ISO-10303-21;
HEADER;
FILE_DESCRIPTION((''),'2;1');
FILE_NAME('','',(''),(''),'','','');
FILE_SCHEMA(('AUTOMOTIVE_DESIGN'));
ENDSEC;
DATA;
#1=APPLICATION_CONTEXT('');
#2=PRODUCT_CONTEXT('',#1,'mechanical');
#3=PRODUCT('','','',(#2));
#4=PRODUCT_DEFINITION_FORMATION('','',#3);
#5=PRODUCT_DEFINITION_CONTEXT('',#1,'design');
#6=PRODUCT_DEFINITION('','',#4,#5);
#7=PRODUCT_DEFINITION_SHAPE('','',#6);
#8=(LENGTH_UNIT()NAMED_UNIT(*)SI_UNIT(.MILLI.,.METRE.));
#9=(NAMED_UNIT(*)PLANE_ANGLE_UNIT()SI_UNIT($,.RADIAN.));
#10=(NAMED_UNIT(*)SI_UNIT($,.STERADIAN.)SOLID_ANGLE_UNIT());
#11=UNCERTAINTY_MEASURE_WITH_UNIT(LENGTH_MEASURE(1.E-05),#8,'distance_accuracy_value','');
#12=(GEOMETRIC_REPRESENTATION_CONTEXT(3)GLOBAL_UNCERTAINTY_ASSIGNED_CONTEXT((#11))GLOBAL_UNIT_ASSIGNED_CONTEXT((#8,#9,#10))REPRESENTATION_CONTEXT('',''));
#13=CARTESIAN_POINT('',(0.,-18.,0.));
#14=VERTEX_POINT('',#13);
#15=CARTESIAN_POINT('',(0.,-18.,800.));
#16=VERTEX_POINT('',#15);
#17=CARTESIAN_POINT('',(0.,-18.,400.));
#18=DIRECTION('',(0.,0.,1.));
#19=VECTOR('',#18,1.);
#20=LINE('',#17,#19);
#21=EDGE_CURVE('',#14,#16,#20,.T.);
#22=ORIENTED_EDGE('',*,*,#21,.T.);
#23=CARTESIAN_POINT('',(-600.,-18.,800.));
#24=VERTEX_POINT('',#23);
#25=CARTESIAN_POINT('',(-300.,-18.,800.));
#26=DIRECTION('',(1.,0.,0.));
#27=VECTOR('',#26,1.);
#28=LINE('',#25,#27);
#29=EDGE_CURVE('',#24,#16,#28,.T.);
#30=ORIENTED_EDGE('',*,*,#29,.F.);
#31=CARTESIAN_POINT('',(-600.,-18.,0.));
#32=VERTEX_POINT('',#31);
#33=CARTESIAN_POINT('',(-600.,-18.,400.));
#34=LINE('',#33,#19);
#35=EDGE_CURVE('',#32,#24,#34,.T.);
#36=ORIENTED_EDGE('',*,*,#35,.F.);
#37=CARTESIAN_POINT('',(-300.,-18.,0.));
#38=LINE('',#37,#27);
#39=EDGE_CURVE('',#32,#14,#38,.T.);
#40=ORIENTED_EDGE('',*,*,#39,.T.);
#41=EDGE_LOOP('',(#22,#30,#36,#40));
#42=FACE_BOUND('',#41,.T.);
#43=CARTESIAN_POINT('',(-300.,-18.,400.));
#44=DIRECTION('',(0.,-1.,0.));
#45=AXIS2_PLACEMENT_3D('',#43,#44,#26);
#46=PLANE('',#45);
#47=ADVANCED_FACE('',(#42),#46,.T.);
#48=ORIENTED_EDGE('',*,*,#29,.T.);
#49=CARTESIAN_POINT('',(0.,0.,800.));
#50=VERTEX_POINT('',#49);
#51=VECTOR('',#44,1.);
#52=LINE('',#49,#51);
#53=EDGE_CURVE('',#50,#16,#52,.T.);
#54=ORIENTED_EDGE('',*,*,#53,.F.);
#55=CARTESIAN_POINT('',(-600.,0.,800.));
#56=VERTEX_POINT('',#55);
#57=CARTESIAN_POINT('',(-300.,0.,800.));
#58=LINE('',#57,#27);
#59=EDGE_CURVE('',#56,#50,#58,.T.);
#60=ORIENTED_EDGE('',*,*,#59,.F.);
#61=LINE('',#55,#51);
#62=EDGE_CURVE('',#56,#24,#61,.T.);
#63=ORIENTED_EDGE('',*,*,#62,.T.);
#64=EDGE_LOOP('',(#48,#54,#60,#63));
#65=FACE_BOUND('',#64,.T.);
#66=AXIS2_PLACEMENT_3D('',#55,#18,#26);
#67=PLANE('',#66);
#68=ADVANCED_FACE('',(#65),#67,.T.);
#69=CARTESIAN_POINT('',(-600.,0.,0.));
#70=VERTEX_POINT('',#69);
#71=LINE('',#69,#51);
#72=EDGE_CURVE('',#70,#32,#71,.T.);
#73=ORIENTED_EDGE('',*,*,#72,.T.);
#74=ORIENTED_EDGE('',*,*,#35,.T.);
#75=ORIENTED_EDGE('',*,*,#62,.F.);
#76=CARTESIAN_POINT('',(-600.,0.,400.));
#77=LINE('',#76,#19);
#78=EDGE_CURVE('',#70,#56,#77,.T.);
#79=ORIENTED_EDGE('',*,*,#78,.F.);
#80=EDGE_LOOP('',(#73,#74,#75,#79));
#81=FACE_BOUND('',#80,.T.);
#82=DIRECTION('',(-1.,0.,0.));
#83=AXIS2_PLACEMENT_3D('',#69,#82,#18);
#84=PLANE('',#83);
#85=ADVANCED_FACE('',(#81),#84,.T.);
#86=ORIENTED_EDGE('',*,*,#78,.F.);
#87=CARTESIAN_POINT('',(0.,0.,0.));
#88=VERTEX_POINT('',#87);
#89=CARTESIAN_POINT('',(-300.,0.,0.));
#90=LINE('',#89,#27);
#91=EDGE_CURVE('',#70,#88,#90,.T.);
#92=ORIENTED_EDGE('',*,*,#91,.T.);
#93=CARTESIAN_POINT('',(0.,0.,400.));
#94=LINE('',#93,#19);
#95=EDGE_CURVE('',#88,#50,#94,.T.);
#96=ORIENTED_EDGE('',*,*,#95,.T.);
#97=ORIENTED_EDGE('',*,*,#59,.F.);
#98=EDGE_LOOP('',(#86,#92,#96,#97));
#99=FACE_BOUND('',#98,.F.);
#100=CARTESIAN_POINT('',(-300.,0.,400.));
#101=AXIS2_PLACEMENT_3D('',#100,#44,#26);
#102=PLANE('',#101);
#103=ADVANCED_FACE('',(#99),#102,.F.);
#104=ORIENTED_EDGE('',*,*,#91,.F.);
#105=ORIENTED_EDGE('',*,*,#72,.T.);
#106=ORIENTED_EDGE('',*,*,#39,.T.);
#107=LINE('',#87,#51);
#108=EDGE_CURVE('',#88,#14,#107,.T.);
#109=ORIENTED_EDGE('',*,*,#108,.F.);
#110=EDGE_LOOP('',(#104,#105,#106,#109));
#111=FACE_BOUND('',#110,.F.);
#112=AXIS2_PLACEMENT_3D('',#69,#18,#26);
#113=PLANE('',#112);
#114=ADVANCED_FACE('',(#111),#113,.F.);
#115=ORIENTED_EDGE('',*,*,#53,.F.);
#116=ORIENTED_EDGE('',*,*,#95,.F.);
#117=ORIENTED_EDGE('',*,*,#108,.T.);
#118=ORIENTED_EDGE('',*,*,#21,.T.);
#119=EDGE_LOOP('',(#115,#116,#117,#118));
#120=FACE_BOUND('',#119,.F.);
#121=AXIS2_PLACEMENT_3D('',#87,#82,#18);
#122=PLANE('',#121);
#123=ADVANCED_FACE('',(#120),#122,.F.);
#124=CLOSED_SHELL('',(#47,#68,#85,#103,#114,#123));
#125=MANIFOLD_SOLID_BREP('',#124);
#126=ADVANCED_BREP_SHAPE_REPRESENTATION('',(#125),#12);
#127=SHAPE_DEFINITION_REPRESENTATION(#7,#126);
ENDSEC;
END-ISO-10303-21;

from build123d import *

# Parameters (mm, degrees)
SKETCH_W  = 600
SKETCH_H  = 800
PAD_DEPTH = 18


with BuildPart() as part:
    # Sketch → Pad (new body)
    with BuildSketch(Plane.XZ):
        with Locations((-300, 400)):
            Rectangle(SKETCH_W, SKETCH_H)
    extrude(amount=PAD_DEPTH)


solid = part.part
